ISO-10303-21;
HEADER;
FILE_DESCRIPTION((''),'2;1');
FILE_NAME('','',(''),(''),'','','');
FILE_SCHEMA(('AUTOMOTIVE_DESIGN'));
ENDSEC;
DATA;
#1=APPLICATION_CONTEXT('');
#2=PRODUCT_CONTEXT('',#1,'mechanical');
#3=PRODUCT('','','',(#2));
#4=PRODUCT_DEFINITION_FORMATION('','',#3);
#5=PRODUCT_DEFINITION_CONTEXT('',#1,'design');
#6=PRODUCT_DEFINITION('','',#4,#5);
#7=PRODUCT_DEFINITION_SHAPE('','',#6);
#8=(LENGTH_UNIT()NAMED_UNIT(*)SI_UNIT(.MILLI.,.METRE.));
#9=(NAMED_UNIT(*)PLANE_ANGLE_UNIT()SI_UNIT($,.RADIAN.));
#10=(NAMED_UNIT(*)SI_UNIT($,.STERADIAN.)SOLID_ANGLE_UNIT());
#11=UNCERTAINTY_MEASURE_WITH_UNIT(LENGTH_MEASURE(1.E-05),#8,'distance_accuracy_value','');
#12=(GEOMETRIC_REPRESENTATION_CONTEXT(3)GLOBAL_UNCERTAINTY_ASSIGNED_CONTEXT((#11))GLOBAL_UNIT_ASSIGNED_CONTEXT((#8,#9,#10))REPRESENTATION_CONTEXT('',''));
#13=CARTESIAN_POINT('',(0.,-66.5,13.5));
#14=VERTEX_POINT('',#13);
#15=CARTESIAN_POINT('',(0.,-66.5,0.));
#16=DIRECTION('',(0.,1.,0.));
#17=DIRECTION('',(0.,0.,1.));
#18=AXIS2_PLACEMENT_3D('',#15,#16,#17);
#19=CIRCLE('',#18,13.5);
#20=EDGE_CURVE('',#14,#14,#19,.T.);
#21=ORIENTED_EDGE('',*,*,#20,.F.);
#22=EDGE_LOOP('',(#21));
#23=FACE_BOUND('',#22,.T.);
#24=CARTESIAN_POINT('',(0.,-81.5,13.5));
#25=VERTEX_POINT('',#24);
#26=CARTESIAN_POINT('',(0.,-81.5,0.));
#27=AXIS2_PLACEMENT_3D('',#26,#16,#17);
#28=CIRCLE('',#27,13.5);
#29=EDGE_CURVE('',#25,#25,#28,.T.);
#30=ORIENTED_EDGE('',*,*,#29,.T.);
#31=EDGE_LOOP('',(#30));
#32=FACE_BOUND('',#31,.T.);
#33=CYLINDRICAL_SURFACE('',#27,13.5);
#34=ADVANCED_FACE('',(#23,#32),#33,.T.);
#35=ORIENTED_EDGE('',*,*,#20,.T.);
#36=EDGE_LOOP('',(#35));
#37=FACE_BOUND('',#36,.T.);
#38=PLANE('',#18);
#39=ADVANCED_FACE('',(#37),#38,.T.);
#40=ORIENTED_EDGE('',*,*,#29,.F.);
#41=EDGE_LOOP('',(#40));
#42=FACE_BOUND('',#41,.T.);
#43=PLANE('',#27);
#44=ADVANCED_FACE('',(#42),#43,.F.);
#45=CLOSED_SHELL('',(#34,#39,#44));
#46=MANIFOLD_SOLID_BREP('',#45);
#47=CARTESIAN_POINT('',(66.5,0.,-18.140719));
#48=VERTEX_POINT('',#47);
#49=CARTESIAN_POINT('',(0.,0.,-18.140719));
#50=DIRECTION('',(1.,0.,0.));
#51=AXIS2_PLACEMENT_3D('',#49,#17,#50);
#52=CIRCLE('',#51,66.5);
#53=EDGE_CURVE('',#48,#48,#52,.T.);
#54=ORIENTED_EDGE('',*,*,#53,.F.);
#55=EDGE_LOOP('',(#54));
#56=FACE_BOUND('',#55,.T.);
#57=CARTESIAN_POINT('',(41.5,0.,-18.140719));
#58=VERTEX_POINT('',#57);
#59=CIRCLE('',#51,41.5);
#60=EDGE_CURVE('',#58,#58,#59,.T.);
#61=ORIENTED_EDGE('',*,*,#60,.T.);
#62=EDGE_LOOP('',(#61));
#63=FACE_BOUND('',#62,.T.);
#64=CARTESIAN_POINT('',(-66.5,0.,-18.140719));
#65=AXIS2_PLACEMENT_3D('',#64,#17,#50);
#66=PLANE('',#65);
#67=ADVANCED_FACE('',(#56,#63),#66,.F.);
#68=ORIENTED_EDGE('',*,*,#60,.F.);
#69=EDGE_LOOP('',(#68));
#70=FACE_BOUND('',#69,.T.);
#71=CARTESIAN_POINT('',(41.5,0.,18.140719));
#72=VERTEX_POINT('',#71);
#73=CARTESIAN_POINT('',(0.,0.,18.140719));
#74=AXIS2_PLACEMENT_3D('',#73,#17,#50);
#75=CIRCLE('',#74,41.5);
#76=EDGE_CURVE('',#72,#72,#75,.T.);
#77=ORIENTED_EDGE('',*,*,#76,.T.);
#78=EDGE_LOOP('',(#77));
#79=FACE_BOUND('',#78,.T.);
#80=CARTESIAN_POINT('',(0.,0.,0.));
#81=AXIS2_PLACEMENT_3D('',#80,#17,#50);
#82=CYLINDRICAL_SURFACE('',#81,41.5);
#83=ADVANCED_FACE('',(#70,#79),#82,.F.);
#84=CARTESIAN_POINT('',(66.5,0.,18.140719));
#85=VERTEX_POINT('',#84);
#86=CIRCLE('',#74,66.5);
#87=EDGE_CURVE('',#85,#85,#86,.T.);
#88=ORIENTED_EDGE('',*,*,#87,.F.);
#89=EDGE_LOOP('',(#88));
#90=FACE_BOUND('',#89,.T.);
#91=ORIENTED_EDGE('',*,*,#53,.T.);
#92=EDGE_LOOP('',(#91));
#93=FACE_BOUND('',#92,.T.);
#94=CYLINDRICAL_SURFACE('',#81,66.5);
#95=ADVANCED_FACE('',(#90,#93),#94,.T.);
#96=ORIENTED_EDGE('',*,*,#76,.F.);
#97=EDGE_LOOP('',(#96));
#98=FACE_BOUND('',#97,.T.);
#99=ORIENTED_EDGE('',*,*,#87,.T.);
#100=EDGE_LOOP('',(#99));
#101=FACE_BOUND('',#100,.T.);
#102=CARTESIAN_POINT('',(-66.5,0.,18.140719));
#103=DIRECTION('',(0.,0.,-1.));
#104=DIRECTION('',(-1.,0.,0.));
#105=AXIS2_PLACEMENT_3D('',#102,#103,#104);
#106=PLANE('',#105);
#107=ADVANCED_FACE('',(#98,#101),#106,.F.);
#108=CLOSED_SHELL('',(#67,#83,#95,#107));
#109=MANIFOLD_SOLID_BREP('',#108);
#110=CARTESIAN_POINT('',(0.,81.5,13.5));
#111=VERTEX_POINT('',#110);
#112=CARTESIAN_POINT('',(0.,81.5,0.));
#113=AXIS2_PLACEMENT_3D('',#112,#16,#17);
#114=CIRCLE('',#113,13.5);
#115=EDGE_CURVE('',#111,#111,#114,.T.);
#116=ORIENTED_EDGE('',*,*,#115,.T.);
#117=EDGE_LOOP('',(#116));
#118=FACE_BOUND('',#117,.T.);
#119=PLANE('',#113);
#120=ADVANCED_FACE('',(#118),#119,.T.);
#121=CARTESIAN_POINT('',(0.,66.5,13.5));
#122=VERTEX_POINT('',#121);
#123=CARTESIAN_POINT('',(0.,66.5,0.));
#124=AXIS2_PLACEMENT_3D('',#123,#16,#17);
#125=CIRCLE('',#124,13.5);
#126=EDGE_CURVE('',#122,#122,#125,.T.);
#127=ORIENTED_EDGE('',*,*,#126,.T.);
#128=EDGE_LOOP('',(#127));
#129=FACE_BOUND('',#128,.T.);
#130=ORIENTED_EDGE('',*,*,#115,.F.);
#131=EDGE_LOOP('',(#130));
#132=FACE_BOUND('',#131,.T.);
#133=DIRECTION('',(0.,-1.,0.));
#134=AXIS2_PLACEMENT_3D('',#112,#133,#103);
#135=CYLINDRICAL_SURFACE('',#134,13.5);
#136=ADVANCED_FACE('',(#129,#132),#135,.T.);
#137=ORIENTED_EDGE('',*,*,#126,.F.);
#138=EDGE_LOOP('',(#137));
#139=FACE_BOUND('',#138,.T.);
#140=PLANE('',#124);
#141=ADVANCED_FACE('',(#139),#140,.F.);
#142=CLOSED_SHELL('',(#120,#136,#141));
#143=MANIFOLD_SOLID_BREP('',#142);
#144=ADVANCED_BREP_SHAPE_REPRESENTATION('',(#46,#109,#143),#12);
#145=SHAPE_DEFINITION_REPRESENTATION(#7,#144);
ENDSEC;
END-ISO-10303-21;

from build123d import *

# Parameters (mm, degrees)
SKETCH1_W           = 25
SKETCH1_H           = 36.281437126
SKETCH3_R           = 13.5
BOSS_EXTRUDE1_DEPTH = 15
SKETCH4_R           = 13.5
BOSS_EXTRUDE3_DEPTH = 15


with BuildPart() as part:
    # Sketch1 → Revolve1 (revolve)
    with BuildSketch(Plane(origin=(0, 0, 0), x_dir=(1, 0, 0), z_dir=(0, 1, 0)), mode=Mode.PRIVATE) as revolve1_sk:
        with Locations((-54, 0)):
            Rectangle(SKETCH1_W, SKETCH1_H)
    revolve(revolve1_sk.sketch.rotate(Axis((0, 0, 0), (0, 0, -1)), 180), axis=Axis((0, 0, 0), (0, 0, -1)))


with BuildPart() as body_2:
    # Sketch3 → Boss-Extrude1 (new body)
    with BuildSketch(Plane(origin=(0, 66.5, 0), x_dir=(1, 0, 0), z_dir=(0, 1, 0))):
        with Locations(Location((0, 0, 0), (0, 0, 270))):
            Circle(SKETCH3_R)
    extrude(amount=BOSS_EXTRUDE1_DEPTH)


with BuildPart() as body_3:
    # Sketch4 → Boss-Extrude3 (new body)
    with BuildSketch(Plane(origin=(0, -66.5, 0), x_dir=(1, 0, 0), z_dir=(0, 1, 0))):
        with Locations(Location((0, 0, 0), (0, 0, 270))):
            Circle(SKETCH4_R)
    extrude(amount=-BOSS_EXTRUDE3_DEPTH)


solid = Compound([part.part, body_2.part, body_3.part])
